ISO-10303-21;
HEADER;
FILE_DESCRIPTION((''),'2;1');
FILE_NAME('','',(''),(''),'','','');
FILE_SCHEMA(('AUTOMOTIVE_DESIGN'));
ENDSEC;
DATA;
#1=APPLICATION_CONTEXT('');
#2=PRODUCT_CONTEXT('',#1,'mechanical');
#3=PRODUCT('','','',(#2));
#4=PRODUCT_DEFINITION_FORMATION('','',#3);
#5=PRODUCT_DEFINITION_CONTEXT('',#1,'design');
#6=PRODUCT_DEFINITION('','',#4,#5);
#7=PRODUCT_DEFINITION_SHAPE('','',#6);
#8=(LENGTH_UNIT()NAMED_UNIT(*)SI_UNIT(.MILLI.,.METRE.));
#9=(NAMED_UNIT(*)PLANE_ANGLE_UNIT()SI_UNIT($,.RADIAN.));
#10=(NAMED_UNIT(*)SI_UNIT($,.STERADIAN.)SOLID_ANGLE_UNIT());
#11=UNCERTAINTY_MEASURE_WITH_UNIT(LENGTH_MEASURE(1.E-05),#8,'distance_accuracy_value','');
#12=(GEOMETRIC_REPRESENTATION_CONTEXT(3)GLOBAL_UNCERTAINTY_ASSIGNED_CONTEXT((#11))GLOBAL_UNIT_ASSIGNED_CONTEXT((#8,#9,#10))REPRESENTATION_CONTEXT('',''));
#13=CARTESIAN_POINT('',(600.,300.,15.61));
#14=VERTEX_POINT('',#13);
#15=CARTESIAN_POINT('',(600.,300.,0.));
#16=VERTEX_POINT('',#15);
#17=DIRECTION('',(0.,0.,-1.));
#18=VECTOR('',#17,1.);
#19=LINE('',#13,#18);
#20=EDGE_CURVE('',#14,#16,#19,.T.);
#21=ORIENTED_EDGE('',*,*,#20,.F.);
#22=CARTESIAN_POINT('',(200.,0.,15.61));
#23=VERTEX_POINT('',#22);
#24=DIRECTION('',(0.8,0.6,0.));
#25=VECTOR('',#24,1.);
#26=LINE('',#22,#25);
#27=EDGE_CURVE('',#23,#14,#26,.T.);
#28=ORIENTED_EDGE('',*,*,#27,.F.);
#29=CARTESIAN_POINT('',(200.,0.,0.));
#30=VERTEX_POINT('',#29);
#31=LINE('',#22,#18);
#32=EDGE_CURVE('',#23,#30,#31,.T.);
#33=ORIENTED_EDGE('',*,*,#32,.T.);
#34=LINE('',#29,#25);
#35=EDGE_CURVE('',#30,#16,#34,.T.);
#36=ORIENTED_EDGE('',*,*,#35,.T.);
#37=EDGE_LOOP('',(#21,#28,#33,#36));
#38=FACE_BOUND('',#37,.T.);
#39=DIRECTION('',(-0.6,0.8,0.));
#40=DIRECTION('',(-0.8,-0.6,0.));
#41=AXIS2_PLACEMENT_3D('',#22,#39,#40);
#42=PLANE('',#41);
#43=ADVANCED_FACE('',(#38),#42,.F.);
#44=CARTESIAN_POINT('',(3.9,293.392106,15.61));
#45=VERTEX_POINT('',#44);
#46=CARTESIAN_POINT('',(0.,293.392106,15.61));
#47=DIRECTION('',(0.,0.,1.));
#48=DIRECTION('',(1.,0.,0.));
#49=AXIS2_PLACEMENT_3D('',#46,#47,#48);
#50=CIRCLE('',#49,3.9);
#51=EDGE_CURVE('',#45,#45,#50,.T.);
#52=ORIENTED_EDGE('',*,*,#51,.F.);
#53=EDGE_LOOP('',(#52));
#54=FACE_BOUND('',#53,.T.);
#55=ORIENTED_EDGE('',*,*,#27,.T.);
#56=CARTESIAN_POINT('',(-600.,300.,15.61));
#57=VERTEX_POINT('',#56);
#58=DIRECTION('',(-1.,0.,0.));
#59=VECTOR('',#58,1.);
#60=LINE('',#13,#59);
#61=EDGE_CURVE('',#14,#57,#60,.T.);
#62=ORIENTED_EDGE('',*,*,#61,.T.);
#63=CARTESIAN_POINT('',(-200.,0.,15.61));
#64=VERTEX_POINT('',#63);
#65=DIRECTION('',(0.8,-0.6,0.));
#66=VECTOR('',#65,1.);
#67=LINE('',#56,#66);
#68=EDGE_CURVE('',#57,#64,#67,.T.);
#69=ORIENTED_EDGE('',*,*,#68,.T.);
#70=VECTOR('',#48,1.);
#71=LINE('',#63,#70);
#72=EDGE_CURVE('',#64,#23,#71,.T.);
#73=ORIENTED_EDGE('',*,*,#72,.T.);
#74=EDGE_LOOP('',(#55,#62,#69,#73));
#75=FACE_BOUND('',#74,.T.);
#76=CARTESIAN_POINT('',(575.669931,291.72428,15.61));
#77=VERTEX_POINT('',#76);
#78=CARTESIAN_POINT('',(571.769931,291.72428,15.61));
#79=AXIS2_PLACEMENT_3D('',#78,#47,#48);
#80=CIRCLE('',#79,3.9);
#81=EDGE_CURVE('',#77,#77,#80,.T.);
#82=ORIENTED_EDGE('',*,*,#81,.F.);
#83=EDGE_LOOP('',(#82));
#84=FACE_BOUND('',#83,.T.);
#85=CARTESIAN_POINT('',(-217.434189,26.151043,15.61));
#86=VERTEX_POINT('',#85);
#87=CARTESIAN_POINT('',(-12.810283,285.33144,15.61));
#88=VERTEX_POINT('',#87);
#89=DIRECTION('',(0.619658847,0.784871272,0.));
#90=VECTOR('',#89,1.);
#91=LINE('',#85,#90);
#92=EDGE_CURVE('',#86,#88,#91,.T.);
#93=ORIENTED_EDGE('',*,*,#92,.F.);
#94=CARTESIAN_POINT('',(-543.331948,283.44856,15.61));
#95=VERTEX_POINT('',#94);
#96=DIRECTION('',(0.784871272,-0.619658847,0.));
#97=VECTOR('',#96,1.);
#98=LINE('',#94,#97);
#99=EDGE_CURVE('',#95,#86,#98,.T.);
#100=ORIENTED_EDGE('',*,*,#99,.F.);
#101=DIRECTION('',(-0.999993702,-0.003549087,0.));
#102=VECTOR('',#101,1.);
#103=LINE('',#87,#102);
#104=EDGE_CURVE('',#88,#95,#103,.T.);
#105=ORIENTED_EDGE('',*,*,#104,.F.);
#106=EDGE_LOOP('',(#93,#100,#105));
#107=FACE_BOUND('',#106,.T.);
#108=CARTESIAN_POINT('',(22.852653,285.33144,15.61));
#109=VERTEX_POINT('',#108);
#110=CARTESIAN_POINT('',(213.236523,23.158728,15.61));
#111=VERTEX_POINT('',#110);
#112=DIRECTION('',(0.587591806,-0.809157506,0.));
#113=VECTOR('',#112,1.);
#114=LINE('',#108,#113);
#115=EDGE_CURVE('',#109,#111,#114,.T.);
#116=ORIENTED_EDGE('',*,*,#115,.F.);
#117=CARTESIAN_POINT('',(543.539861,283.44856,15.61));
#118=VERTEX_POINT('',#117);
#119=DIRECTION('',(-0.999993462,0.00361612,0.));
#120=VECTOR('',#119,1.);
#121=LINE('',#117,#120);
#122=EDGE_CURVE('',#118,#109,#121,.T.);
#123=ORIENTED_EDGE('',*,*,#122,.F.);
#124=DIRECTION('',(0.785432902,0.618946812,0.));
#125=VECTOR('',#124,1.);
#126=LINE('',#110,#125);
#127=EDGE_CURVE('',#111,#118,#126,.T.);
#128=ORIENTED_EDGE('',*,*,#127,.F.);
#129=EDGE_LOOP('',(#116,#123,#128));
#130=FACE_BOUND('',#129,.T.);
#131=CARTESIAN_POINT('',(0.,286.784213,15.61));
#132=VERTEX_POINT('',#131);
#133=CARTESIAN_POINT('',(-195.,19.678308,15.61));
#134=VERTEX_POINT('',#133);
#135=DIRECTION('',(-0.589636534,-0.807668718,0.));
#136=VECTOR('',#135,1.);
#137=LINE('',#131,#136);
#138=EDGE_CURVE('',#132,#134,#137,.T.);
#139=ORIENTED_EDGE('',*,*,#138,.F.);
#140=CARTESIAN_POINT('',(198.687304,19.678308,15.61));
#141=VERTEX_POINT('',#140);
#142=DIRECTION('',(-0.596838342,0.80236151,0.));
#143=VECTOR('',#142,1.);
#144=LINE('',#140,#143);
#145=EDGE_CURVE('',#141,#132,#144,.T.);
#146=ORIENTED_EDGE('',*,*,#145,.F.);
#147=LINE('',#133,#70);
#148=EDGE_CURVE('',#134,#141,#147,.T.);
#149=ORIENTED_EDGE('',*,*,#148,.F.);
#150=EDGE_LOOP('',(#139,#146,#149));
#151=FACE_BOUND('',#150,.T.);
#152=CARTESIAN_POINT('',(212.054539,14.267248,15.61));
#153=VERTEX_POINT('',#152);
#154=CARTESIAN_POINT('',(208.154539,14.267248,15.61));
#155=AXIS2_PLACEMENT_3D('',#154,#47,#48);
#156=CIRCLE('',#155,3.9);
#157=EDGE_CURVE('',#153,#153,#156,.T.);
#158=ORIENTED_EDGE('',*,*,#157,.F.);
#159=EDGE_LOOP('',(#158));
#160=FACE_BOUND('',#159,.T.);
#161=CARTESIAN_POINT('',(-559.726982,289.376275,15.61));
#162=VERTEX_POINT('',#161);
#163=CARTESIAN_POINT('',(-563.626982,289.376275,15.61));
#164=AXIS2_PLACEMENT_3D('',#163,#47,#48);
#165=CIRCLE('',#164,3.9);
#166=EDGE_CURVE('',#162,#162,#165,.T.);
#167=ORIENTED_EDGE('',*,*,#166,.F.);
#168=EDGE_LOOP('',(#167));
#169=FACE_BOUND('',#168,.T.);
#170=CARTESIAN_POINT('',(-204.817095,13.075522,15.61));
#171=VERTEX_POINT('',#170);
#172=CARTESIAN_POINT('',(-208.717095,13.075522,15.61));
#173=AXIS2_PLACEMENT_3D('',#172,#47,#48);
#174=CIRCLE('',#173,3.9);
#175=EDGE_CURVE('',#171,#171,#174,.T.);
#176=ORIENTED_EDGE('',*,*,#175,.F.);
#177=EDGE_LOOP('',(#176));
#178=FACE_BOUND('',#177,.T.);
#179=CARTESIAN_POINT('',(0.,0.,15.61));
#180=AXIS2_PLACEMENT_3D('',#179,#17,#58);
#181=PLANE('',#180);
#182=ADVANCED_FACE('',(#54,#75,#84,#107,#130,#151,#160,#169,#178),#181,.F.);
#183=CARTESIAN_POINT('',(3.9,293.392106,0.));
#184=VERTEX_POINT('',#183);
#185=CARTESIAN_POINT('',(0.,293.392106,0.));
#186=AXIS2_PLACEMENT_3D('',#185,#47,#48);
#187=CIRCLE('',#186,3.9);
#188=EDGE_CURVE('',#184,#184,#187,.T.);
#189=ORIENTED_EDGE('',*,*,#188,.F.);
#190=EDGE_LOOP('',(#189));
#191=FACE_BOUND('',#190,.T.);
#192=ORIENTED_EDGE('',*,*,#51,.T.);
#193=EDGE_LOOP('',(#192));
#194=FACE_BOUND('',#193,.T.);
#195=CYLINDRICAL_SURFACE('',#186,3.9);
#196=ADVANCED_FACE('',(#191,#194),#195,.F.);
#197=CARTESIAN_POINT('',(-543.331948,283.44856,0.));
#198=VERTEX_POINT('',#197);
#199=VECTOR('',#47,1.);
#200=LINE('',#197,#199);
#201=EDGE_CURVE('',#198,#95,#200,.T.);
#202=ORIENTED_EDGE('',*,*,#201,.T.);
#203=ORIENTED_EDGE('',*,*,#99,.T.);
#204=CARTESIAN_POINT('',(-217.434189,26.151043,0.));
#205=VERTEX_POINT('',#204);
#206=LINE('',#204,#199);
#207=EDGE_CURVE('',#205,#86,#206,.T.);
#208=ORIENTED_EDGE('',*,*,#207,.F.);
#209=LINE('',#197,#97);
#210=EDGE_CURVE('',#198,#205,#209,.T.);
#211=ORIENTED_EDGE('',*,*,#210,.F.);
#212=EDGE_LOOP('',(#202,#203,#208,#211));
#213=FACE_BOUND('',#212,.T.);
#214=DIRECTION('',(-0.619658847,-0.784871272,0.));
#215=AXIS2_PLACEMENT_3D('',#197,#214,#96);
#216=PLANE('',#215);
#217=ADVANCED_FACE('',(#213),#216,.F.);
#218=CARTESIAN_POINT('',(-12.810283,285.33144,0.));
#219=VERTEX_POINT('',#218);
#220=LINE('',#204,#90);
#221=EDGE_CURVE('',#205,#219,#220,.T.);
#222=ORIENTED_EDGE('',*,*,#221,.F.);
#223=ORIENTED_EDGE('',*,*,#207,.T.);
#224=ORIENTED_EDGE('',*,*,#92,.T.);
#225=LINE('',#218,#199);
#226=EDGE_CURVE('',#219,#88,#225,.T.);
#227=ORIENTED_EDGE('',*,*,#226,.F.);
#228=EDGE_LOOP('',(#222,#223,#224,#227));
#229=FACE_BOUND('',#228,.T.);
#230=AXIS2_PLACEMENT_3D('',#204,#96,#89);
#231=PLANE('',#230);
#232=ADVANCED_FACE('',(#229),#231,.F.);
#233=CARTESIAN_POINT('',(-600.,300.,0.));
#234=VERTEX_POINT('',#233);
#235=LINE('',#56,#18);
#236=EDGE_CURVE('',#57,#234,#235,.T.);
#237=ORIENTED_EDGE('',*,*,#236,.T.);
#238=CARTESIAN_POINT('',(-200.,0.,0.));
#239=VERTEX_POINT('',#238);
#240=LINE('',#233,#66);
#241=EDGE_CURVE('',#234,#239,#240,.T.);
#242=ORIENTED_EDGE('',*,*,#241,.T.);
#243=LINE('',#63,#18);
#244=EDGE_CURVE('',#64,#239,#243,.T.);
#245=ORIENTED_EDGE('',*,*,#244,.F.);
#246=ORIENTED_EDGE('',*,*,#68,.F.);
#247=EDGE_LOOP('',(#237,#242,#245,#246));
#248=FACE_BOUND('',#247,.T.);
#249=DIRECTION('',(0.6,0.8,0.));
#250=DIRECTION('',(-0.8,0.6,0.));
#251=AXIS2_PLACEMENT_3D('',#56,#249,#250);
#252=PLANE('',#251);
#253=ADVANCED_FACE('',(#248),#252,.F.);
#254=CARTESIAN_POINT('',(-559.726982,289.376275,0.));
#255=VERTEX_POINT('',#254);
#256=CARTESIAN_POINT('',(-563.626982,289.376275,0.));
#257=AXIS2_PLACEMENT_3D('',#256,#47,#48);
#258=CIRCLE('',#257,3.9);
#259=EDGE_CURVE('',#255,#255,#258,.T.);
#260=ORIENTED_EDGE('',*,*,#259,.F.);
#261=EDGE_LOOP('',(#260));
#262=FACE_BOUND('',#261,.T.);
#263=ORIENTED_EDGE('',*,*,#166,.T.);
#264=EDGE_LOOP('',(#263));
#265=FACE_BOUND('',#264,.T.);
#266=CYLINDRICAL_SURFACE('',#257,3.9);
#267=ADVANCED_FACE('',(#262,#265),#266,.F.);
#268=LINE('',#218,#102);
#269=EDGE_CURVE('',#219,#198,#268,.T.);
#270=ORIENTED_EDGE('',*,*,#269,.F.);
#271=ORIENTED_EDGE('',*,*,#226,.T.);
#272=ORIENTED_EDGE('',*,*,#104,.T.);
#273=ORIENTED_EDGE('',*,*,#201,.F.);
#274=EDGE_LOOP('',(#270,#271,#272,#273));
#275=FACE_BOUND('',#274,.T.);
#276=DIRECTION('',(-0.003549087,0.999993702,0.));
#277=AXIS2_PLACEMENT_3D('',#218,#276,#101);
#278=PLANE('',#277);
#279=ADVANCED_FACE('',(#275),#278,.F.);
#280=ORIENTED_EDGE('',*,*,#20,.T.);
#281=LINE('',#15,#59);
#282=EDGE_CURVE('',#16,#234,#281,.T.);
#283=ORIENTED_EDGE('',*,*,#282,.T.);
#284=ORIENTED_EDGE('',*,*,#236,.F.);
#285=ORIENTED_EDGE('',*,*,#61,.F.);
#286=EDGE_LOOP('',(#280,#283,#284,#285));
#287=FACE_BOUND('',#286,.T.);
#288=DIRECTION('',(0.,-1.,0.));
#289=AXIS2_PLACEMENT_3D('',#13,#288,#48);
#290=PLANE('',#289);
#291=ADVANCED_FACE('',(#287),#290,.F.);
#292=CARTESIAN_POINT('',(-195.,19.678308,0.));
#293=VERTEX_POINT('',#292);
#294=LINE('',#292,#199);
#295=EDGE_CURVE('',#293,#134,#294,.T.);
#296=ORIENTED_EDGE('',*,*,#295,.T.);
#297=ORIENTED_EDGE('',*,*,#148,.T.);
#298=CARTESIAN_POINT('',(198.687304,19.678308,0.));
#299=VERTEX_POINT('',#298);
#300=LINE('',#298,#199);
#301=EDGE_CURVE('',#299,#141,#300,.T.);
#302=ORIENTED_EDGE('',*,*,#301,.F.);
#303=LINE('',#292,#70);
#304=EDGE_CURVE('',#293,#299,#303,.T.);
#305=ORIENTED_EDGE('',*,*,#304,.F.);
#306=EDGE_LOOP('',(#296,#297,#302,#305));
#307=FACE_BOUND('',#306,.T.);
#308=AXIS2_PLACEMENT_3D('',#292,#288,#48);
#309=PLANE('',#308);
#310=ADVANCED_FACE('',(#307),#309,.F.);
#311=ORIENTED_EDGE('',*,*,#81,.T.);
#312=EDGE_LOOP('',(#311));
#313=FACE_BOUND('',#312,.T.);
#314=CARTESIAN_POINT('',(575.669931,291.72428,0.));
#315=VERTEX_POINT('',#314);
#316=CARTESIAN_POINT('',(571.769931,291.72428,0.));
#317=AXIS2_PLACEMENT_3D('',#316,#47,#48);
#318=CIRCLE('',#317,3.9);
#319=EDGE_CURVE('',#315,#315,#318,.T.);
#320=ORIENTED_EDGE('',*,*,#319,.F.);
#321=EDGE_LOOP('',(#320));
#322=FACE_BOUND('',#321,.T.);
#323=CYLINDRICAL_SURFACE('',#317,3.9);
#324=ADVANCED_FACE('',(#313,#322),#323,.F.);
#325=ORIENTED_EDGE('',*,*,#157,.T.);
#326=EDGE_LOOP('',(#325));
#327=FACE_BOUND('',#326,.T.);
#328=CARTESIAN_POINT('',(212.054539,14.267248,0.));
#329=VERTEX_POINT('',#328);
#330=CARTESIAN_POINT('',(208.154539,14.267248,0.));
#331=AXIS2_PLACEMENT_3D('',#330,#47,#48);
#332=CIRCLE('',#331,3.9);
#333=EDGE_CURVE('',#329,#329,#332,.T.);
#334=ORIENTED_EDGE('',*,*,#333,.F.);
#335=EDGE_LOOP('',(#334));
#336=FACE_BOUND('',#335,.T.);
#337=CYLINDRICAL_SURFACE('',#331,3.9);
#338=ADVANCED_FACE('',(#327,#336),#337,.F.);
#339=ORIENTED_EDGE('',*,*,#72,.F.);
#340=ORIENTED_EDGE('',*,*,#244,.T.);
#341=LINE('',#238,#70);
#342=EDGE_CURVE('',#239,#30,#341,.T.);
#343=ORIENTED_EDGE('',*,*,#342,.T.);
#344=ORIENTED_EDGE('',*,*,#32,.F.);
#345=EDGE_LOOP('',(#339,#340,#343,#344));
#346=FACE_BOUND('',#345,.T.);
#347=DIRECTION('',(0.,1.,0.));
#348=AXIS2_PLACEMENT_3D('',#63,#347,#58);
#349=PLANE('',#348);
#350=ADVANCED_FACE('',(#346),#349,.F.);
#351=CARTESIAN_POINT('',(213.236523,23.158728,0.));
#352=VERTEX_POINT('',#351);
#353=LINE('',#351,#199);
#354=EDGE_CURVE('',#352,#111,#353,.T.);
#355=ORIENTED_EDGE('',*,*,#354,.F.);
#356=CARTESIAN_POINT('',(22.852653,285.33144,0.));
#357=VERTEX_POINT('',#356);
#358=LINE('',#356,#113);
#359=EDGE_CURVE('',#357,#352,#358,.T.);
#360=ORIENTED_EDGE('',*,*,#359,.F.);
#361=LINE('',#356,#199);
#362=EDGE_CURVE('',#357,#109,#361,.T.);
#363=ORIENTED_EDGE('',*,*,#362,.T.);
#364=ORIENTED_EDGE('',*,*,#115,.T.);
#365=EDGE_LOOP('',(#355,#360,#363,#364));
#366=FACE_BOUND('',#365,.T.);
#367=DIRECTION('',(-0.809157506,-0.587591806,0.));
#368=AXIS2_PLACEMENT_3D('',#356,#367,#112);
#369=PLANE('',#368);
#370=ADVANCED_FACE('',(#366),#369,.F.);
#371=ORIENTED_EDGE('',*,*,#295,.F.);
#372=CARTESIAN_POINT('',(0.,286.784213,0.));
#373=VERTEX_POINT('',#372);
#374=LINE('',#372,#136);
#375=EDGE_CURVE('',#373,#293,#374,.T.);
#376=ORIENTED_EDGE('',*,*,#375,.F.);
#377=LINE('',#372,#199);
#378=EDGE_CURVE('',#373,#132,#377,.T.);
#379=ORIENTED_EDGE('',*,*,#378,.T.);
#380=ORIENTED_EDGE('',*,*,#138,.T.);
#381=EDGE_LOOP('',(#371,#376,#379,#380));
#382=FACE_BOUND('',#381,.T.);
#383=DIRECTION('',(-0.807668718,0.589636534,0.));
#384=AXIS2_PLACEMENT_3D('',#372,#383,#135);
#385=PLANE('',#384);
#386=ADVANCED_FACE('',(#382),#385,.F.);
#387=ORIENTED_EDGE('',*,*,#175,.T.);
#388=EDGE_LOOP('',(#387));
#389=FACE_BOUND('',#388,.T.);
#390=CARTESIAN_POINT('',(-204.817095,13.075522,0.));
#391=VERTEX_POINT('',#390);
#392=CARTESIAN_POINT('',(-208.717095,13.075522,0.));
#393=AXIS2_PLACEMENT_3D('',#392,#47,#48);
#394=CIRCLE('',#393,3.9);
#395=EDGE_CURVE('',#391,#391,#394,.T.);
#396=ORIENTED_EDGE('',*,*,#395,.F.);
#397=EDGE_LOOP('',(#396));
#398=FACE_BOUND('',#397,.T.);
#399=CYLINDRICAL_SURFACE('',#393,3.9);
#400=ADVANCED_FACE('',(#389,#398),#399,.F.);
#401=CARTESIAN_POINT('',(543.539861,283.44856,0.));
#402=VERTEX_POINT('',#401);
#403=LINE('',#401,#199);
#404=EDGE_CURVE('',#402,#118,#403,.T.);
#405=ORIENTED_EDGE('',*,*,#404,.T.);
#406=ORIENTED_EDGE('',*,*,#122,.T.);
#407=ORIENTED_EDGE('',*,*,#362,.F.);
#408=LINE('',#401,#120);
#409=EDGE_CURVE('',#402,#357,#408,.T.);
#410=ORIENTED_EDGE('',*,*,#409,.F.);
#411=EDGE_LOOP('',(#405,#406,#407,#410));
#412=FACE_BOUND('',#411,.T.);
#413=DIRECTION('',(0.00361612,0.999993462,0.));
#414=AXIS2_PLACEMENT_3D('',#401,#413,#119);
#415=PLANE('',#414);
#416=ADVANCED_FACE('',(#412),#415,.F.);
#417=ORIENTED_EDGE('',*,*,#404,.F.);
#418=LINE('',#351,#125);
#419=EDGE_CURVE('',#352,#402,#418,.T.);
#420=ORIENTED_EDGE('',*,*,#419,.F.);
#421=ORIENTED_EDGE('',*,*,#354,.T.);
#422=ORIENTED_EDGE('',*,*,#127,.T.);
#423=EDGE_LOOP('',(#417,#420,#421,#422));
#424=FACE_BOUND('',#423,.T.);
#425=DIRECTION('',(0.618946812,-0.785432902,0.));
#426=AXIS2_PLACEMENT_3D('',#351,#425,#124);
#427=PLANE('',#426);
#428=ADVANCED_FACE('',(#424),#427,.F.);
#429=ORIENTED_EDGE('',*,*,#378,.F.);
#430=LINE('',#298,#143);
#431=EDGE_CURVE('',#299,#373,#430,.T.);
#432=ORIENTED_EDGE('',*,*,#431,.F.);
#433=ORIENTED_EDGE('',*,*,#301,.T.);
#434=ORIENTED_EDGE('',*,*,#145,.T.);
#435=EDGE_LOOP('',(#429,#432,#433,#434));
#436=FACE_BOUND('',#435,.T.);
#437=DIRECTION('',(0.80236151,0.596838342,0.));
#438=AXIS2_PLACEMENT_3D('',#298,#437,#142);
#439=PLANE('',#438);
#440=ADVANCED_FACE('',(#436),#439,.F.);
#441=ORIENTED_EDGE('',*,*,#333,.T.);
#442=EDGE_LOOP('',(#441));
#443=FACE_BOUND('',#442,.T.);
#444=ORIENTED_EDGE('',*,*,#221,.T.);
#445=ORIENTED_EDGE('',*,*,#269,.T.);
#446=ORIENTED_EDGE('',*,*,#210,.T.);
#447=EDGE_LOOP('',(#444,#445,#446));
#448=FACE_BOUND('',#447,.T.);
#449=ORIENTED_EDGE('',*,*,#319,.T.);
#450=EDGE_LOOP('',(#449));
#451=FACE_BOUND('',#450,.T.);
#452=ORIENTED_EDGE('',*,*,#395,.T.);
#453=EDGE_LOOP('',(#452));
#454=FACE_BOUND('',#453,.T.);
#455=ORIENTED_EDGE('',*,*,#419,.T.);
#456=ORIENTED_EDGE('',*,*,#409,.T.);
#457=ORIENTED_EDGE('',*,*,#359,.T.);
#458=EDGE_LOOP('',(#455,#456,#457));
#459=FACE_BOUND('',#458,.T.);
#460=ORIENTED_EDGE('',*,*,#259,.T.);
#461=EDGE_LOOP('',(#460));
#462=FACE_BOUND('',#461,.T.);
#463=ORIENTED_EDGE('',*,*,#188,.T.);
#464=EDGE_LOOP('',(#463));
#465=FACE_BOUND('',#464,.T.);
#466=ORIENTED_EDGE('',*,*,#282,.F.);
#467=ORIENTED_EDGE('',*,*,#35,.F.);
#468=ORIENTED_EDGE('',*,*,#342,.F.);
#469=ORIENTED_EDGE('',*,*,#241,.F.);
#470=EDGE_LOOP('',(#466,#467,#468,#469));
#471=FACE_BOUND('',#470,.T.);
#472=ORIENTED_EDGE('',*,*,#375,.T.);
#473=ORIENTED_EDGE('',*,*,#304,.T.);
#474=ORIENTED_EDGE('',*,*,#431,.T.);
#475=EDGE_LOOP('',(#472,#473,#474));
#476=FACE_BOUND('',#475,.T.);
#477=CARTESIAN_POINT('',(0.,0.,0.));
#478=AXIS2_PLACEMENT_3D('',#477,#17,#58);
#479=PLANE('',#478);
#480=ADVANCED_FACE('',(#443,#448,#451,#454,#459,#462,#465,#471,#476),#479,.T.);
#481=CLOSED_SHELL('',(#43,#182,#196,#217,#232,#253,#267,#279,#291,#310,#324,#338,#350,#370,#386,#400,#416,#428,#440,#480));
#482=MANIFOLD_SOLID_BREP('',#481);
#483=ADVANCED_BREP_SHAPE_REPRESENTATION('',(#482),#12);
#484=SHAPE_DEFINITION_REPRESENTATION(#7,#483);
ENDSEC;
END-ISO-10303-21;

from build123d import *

# Parameters (mm, degrees)
BOSS_EXTRUDE2_DEPTH = 15.61
CUT_EXTRUDE1_DEPTH  = 672.00199113
CUT_EXTRUDE2_DEPTH  = 672.00199113
SKETCH7_R           = 3.9
CUT_EXTRUDE3_DEPTH  = 672.00199113


with BuildPart() as part:
    # Sketch2 → Boss-Extrude2 (new body)
    with BuildSketch(Plane.XY):
        Polygon((-200, 0), (200, 0), (600, 300), (-600, 300), align=None)
    extrude(amount=BOSS_EXTRUDE2_DEPTH)

    # Sketch3 → Cut-Extrude1 (cut, through all)
    with BuildSketch(Plane.XY.offset(15.61)):
        Polygon((-195, 19.678308093), (198.68730415, 19.678308093), (0, 286.78421274), align=None)
    extrude(amount=-CUT_EXTRUDE1_DEPTH, mode=Mode.SUBTRACT)

    # Sketch5 → Cut-Extrude2 (cut, through all)
    with BuildSketch(Plane.XY.offset(15.61)):
        Polygon((-217.434189149, 26.151043002), (-12.810282728, 285.331439802), (-543.331948452, 283.448560198), align=None)
        Polygon((543.539861229, 283.448560198), (22.85265332, 285.331439802), (213.236522938, 23.158727928), align=None)
    extrude(amount=-CUT_EXTRUDE2_DEPTH, mode=Mode.SUBTRACT)

    # Sketch7 → Cut-Extrude3 (cut, through all)
    with BuildSketch(Plane.XY.offset(15.61)):
        with Locations((-563.626982451, 289.376274745)):
            Circle(SKETCH7_R)
        with Locations((0, 293.39210637)):
            Circle(SKETCH7_R)
        with Locations((571.769930615, 291.724280099)):
            Circle(SKETCH7_R)
        with Locations((208.154539122, 14.26724781)):
            Circle(SKETCH7_R)
        with Locations((-208.717094574, 13.075521501)):
            Circle(SKETCH7_R)
    extrude(amount=-CUT_EXTRUDE3_DEPTH, mode=Mode.SUBTRACT)


solid = part.part
